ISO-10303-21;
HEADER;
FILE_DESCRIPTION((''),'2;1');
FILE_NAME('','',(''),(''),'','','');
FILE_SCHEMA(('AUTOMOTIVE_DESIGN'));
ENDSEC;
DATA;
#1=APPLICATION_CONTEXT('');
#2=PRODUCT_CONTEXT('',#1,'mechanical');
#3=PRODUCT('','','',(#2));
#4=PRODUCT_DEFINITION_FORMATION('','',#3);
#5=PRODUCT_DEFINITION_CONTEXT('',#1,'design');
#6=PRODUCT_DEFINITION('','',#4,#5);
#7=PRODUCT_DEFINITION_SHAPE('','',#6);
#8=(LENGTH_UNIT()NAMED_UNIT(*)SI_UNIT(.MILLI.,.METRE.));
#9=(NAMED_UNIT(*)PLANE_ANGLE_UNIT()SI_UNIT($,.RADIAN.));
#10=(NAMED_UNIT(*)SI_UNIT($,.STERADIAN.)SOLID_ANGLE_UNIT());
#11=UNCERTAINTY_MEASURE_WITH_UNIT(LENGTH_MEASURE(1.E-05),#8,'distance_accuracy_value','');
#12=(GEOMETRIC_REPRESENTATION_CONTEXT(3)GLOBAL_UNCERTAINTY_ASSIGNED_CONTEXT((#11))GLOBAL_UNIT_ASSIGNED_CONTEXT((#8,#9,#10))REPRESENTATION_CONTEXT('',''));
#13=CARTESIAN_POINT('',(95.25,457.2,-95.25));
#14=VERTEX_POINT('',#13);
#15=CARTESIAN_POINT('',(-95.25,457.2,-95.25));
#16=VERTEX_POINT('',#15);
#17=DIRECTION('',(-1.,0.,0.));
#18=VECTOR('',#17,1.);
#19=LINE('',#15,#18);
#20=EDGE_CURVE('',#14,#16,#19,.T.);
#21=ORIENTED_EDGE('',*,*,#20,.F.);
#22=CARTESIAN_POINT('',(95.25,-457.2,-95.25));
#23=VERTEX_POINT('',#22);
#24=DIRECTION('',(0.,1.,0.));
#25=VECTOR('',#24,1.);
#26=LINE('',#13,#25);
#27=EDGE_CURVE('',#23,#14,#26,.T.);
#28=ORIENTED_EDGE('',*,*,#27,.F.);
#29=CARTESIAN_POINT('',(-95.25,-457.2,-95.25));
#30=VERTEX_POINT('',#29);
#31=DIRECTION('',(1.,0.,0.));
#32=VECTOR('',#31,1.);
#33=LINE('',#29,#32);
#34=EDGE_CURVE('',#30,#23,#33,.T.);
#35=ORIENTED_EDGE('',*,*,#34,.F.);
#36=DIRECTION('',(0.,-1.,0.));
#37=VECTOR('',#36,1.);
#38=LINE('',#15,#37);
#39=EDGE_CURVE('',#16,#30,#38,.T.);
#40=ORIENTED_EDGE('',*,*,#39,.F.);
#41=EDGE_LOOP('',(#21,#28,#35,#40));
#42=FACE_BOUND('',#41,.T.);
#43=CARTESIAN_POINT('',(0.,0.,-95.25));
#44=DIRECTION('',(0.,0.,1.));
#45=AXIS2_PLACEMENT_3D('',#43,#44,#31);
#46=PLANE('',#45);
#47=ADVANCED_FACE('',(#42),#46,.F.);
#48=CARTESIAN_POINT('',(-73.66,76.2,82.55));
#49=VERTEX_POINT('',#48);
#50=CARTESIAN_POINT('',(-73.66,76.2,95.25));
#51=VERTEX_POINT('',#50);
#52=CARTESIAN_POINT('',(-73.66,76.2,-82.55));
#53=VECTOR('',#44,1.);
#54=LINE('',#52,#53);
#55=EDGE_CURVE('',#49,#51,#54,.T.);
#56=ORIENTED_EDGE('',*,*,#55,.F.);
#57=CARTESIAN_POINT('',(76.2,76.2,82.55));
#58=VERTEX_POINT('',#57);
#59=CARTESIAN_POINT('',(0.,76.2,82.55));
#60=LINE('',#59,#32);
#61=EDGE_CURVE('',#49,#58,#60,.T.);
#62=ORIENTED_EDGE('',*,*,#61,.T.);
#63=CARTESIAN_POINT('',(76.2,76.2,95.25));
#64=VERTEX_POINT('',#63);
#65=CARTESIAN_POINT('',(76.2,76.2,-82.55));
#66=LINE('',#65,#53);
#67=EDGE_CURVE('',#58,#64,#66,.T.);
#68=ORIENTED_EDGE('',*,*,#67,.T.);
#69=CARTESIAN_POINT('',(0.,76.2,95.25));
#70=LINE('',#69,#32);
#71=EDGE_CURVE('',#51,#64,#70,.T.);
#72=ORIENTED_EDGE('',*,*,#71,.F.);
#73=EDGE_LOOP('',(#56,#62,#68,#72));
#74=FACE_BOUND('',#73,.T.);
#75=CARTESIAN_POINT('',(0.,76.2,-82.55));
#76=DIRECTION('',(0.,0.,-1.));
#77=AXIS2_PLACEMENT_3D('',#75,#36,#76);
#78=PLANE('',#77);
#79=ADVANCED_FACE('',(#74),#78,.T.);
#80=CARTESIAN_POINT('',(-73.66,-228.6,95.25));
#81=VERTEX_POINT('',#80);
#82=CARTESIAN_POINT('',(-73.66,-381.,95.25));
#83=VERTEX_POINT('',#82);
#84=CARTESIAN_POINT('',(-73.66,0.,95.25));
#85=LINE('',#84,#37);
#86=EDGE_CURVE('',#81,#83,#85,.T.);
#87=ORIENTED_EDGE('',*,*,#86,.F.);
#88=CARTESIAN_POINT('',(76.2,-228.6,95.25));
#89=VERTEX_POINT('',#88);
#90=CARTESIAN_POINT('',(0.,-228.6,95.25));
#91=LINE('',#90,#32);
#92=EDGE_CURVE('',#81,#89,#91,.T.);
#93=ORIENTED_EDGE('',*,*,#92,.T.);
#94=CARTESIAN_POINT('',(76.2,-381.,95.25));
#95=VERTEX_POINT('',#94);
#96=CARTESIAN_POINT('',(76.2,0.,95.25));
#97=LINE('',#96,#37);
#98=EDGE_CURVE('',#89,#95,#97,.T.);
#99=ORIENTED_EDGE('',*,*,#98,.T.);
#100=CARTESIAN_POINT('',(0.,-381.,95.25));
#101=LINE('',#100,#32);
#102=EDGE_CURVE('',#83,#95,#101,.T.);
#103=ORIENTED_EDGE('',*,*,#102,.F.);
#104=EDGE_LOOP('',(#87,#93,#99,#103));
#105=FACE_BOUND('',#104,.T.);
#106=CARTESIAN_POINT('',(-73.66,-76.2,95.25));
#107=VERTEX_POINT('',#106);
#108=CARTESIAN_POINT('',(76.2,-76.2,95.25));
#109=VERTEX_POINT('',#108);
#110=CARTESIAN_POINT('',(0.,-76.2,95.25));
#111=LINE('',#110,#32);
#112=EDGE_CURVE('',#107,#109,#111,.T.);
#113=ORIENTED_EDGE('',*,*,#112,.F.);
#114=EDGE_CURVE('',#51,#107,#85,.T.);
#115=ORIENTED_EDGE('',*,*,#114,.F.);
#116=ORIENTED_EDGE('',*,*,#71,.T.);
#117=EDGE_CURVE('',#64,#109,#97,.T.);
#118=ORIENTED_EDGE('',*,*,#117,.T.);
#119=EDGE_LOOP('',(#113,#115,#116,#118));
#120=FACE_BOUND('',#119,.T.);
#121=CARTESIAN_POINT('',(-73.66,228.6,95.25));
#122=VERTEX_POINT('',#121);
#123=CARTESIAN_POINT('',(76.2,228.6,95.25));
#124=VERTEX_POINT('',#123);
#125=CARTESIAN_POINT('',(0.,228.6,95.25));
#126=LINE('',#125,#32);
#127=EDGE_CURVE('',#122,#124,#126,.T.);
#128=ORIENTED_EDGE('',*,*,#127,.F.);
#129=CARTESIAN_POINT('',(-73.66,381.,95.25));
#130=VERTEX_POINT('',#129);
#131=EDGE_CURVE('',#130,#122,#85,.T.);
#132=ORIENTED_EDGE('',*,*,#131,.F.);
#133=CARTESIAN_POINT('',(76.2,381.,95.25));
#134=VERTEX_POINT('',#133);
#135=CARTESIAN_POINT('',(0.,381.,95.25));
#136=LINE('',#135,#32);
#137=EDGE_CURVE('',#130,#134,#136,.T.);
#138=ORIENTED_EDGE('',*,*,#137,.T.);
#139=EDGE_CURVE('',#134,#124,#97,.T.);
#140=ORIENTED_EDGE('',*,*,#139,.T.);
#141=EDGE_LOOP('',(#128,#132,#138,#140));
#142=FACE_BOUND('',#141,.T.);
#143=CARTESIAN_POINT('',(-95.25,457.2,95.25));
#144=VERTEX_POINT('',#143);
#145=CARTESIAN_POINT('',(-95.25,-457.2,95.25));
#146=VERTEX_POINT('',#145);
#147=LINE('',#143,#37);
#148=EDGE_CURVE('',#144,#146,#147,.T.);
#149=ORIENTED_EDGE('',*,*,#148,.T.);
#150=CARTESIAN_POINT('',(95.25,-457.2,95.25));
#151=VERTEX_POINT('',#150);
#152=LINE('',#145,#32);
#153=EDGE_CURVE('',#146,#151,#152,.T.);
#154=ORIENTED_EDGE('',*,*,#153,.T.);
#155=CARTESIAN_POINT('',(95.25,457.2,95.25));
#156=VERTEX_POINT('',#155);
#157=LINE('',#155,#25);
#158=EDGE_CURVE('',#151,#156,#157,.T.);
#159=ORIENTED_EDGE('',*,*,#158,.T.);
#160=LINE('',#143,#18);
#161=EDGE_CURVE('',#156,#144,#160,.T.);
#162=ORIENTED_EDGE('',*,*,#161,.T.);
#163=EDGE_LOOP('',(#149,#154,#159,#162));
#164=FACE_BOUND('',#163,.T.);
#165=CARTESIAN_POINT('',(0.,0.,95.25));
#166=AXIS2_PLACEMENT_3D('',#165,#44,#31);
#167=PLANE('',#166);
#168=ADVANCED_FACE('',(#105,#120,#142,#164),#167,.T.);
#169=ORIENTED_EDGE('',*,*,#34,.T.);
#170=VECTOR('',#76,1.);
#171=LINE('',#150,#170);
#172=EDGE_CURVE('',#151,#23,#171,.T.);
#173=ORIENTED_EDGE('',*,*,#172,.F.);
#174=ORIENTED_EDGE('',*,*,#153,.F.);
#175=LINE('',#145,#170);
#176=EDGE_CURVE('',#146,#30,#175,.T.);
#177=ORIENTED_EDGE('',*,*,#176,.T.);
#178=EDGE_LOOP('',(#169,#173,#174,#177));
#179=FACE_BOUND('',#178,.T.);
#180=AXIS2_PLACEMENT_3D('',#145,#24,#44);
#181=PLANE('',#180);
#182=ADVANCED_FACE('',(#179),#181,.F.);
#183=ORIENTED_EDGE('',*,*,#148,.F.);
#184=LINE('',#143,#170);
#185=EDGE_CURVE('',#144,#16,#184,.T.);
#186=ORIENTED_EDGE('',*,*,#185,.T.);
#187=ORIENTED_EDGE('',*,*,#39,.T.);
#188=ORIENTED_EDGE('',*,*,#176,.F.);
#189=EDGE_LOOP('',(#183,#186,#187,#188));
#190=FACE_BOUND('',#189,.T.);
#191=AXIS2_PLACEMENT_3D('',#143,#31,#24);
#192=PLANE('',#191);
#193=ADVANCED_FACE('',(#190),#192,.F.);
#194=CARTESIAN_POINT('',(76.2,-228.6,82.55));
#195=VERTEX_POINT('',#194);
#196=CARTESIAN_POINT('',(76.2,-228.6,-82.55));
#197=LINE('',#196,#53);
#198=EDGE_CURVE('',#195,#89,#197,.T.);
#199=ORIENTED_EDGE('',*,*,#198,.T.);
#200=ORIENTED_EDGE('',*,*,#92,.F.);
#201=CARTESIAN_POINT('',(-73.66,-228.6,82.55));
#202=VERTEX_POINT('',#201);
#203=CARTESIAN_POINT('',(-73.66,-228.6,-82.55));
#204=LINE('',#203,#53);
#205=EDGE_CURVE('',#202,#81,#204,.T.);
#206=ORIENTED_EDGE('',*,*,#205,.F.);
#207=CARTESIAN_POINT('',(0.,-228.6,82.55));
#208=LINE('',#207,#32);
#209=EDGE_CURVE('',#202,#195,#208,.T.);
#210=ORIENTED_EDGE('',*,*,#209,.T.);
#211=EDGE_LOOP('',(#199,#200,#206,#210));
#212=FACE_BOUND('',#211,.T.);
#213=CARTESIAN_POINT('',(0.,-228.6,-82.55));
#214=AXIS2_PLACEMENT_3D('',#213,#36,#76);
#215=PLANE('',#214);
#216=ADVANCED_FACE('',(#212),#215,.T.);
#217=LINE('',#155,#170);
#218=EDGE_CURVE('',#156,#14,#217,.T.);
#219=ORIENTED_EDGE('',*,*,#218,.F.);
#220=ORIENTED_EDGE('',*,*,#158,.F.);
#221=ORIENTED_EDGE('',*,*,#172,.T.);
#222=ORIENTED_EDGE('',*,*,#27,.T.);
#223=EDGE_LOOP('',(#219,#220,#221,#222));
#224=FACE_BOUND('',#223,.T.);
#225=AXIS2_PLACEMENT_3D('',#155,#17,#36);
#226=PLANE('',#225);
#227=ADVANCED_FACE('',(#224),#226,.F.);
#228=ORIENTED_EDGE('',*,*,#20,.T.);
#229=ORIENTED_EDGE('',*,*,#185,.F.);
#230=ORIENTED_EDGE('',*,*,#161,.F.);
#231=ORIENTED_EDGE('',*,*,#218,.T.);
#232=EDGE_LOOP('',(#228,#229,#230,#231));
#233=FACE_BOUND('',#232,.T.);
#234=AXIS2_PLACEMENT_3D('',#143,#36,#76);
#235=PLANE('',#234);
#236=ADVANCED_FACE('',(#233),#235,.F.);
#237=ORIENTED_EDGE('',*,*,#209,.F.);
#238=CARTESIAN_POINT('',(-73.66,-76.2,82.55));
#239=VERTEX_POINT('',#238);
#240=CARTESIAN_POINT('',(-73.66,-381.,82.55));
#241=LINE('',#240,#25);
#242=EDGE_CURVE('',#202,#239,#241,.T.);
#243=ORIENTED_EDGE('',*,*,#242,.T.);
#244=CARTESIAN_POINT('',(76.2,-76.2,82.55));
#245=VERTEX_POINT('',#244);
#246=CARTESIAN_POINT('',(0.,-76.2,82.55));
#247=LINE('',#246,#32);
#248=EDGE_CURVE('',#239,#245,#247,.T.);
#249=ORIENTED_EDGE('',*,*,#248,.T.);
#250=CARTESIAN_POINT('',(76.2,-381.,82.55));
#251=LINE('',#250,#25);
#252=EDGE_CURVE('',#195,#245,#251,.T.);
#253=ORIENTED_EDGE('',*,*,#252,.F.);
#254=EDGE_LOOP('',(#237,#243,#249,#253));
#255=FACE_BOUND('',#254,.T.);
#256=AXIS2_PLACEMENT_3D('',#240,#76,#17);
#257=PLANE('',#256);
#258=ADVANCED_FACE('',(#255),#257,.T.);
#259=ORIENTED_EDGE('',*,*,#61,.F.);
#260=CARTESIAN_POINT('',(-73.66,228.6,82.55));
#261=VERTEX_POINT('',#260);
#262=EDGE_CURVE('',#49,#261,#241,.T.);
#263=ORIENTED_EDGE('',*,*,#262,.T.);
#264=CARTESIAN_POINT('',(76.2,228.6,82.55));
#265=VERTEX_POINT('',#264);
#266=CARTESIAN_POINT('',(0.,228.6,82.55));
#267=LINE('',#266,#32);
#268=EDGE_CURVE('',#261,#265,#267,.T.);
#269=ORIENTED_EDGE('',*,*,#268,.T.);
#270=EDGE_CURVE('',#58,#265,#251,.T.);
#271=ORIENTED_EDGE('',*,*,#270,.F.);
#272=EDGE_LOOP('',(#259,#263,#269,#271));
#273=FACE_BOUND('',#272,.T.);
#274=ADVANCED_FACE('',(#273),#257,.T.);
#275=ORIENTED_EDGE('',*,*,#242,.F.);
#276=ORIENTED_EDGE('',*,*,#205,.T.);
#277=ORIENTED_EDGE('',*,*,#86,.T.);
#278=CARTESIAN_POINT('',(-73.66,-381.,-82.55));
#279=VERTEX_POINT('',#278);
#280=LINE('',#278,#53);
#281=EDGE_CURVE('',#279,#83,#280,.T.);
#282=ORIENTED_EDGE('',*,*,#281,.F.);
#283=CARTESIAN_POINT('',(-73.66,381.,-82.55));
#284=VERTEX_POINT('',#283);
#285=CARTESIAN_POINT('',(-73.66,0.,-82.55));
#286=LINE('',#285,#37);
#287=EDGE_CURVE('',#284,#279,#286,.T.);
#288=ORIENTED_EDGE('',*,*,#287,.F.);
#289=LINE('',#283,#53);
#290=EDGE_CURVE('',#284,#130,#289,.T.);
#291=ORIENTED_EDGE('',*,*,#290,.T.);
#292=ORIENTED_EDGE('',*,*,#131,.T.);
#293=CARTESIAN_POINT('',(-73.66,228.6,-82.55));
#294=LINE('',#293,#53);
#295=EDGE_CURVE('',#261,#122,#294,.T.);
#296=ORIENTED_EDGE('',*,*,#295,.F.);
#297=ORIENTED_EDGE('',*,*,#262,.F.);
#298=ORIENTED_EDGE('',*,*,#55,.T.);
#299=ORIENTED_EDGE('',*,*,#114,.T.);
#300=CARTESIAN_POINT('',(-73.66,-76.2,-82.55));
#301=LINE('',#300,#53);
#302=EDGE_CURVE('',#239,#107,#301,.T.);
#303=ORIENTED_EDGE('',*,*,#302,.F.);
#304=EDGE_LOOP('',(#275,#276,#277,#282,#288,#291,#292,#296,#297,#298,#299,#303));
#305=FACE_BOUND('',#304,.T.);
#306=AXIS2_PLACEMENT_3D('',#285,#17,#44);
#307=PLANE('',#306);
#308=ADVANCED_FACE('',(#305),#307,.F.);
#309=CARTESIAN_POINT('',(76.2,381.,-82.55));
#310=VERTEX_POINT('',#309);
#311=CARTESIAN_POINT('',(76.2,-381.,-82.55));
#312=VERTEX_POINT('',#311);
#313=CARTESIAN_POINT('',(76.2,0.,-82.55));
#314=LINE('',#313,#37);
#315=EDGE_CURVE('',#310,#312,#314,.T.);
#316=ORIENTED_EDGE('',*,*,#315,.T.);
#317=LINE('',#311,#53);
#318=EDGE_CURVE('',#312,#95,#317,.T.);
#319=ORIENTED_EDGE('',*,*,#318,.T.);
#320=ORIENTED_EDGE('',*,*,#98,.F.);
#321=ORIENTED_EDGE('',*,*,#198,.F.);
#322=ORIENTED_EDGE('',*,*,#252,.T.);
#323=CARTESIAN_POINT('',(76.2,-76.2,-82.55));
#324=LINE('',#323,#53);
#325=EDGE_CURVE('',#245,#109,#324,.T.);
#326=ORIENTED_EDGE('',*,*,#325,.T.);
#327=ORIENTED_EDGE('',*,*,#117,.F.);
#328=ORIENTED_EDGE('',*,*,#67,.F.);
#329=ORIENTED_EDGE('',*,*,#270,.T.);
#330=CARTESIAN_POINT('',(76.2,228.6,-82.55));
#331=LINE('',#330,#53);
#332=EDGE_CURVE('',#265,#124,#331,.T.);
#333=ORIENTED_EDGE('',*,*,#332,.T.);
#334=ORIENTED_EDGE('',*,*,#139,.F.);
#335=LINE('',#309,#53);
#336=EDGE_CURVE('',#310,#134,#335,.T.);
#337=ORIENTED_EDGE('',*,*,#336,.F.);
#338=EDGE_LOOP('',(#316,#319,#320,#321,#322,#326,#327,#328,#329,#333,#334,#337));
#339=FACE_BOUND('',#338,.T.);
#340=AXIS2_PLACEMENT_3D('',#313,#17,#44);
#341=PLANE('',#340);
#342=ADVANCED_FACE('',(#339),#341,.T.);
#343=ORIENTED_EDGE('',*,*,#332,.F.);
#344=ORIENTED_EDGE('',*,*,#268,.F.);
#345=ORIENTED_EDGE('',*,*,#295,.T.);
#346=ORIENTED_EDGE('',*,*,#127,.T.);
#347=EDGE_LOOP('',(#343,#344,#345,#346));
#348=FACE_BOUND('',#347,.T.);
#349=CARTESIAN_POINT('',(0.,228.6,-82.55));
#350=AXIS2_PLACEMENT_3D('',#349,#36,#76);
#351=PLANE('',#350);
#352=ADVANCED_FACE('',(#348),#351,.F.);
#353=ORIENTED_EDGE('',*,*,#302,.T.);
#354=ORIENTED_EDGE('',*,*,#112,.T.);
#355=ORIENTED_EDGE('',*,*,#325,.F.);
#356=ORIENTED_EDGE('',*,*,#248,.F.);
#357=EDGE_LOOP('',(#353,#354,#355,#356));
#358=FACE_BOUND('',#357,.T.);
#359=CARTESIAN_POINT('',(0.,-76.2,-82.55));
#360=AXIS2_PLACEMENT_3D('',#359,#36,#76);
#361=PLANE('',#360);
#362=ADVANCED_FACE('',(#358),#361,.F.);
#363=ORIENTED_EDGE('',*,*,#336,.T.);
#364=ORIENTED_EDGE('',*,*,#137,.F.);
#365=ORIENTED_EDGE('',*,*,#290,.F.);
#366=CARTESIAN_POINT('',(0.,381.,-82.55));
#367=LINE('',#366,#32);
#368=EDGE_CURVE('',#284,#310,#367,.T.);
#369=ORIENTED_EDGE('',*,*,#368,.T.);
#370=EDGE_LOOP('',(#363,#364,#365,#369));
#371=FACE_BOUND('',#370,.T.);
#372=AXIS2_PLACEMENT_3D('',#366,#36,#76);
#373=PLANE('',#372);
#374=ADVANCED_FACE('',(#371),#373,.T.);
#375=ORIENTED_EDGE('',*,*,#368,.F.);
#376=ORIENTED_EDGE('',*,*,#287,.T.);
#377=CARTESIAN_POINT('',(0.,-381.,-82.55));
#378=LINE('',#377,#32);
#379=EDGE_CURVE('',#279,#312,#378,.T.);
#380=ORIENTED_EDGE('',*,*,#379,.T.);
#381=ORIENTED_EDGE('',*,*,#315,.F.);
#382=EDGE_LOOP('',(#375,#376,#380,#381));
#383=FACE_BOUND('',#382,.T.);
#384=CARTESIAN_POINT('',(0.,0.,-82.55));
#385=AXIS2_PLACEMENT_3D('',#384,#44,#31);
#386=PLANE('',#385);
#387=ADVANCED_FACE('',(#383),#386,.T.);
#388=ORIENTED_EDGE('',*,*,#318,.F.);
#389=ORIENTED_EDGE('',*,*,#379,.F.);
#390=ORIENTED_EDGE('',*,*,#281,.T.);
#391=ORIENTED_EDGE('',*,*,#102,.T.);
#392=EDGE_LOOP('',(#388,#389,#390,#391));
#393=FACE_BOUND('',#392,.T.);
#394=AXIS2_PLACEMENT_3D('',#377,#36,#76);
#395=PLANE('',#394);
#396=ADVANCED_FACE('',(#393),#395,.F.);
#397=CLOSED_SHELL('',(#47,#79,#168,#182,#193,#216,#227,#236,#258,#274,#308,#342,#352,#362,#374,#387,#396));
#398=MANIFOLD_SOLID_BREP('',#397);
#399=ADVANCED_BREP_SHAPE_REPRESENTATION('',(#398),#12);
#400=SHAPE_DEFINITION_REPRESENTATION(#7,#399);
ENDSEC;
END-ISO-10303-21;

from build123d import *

# Parameters (mm, degrees)
CROQUIS1_W              = 190.5
CROQUIS1_H              = 914.4
SALIENTE_EXTRUIR1_DEPTH = 95.25
CROQUIS2_W              = 149.86
CROQUIS2_H              = 152.4
CORTAR_EXTRUIR1_DEPTH   = 177.8
CORTAR_EXTRUIR3_START   = 152.4
CROQUIS3_W              = 149.86
CROQUIS3_H              = 165.1
CORTAR_EXTRUIR3_DEPTH   = 457.2


with BuildPart() as part:
    # Croquis1 → Saliente-Extruir1 (new body, symmetric)
    with BuildSketch(Plane.XY):
        Rectangle(CROQUIS1_W, CROQUIS1_H)
    extrude(amount=SALIENTE_EXTRUIR1_DEPTH, both=True)

    # Croquis2 → Cortar-Extruir1 (cut)
    with BuildSketch(Plane.XY.offset(95.25)):
        with Locations((1.27, 304.8)):
            Rectangle(CROQUIS2_W, CROQUIS2_H)
        with Locations((1.27, 0)):
            Rectangle(CROQUIS2_W, CROQUIS2_H)
        with Locations((1.27, -304.8)):
            Rectangle(CROQUIS2_W, CROQUIS2_H)
    extrude(amount=-CORTAR_EXTRUIR1_DEPTH, mode=Mode.SUBTRACT)

    # Croquis3 → Cortar-Extruir3 (cut)
    with BuildSketch(Plane.XZ.offset(-381).offset(CORTAR_EXTRUIR3_START)):
        with Locations((1.27, 0)):
            Rectangle(CROQUIS3_W, CROQUIS3_H)
    extrude(amount=CORTAR_EXTRUIR3_DEPTH, mode=Mode.SUBTRACT)


solid = part.part
